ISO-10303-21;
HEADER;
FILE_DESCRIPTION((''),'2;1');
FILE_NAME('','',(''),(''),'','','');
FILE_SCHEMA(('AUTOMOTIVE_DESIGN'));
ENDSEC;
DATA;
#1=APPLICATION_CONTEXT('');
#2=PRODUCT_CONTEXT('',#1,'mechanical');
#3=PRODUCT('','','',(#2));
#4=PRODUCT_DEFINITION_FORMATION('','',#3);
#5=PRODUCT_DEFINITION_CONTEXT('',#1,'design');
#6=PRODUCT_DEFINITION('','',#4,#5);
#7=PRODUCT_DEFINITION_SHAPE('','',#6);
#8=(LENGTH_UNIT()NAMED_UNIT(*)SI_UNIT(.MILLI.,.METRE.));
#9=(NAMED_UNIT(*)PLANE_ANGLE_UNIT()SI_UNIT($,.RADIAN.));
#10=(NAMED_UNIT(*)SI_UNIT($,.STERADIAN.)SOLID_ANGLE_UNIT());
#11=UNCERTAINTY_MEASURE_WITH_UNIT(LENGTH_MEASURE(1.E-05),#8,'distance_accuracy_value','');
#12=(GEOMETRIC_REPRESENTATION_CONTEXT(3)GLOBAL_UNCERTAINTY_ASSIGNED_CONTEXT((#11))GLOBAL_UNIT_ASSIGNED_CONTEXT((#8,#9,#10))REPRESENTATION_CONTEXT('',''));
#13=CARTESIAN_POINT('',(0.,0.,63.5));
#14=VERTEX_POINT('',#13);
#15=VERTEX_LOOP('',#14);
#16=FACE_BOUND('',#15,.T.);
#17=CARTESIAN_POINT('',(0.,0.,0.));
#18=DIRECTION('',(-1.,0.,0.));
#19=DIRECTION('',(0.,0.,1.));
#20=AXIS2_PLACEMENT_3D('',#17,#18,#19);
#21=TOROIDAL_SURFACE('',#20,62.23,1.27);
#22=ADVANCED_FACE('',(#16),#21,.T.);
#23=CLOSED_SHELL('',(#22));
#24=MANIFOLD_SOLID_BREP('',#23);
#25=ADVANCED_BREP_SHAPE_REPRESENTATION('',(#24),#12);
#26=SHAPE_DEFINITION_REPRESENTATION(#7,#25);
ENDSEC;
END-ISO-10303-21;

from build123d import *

# Parameters (mm, degrees)
SKETCH1_R = 1.27


with BuildPart() as part:
    # Sketch1 → Revolve2 (revolve)
    with BuildSketch(Plane.XY, mode=Mode.PRIVATE) as revolve2_sk:
        with Locations((0, 62.23)):
            Circle(SKETCH1_R)
    revolve(revolve2_sk.sketch.rotate(Axis((-22.180929287, 0, 0), (1, 0, 0)), 90), axis=Axis((-22.180929287, 0, 0), (1, 0, 0)))


solid = part.part
